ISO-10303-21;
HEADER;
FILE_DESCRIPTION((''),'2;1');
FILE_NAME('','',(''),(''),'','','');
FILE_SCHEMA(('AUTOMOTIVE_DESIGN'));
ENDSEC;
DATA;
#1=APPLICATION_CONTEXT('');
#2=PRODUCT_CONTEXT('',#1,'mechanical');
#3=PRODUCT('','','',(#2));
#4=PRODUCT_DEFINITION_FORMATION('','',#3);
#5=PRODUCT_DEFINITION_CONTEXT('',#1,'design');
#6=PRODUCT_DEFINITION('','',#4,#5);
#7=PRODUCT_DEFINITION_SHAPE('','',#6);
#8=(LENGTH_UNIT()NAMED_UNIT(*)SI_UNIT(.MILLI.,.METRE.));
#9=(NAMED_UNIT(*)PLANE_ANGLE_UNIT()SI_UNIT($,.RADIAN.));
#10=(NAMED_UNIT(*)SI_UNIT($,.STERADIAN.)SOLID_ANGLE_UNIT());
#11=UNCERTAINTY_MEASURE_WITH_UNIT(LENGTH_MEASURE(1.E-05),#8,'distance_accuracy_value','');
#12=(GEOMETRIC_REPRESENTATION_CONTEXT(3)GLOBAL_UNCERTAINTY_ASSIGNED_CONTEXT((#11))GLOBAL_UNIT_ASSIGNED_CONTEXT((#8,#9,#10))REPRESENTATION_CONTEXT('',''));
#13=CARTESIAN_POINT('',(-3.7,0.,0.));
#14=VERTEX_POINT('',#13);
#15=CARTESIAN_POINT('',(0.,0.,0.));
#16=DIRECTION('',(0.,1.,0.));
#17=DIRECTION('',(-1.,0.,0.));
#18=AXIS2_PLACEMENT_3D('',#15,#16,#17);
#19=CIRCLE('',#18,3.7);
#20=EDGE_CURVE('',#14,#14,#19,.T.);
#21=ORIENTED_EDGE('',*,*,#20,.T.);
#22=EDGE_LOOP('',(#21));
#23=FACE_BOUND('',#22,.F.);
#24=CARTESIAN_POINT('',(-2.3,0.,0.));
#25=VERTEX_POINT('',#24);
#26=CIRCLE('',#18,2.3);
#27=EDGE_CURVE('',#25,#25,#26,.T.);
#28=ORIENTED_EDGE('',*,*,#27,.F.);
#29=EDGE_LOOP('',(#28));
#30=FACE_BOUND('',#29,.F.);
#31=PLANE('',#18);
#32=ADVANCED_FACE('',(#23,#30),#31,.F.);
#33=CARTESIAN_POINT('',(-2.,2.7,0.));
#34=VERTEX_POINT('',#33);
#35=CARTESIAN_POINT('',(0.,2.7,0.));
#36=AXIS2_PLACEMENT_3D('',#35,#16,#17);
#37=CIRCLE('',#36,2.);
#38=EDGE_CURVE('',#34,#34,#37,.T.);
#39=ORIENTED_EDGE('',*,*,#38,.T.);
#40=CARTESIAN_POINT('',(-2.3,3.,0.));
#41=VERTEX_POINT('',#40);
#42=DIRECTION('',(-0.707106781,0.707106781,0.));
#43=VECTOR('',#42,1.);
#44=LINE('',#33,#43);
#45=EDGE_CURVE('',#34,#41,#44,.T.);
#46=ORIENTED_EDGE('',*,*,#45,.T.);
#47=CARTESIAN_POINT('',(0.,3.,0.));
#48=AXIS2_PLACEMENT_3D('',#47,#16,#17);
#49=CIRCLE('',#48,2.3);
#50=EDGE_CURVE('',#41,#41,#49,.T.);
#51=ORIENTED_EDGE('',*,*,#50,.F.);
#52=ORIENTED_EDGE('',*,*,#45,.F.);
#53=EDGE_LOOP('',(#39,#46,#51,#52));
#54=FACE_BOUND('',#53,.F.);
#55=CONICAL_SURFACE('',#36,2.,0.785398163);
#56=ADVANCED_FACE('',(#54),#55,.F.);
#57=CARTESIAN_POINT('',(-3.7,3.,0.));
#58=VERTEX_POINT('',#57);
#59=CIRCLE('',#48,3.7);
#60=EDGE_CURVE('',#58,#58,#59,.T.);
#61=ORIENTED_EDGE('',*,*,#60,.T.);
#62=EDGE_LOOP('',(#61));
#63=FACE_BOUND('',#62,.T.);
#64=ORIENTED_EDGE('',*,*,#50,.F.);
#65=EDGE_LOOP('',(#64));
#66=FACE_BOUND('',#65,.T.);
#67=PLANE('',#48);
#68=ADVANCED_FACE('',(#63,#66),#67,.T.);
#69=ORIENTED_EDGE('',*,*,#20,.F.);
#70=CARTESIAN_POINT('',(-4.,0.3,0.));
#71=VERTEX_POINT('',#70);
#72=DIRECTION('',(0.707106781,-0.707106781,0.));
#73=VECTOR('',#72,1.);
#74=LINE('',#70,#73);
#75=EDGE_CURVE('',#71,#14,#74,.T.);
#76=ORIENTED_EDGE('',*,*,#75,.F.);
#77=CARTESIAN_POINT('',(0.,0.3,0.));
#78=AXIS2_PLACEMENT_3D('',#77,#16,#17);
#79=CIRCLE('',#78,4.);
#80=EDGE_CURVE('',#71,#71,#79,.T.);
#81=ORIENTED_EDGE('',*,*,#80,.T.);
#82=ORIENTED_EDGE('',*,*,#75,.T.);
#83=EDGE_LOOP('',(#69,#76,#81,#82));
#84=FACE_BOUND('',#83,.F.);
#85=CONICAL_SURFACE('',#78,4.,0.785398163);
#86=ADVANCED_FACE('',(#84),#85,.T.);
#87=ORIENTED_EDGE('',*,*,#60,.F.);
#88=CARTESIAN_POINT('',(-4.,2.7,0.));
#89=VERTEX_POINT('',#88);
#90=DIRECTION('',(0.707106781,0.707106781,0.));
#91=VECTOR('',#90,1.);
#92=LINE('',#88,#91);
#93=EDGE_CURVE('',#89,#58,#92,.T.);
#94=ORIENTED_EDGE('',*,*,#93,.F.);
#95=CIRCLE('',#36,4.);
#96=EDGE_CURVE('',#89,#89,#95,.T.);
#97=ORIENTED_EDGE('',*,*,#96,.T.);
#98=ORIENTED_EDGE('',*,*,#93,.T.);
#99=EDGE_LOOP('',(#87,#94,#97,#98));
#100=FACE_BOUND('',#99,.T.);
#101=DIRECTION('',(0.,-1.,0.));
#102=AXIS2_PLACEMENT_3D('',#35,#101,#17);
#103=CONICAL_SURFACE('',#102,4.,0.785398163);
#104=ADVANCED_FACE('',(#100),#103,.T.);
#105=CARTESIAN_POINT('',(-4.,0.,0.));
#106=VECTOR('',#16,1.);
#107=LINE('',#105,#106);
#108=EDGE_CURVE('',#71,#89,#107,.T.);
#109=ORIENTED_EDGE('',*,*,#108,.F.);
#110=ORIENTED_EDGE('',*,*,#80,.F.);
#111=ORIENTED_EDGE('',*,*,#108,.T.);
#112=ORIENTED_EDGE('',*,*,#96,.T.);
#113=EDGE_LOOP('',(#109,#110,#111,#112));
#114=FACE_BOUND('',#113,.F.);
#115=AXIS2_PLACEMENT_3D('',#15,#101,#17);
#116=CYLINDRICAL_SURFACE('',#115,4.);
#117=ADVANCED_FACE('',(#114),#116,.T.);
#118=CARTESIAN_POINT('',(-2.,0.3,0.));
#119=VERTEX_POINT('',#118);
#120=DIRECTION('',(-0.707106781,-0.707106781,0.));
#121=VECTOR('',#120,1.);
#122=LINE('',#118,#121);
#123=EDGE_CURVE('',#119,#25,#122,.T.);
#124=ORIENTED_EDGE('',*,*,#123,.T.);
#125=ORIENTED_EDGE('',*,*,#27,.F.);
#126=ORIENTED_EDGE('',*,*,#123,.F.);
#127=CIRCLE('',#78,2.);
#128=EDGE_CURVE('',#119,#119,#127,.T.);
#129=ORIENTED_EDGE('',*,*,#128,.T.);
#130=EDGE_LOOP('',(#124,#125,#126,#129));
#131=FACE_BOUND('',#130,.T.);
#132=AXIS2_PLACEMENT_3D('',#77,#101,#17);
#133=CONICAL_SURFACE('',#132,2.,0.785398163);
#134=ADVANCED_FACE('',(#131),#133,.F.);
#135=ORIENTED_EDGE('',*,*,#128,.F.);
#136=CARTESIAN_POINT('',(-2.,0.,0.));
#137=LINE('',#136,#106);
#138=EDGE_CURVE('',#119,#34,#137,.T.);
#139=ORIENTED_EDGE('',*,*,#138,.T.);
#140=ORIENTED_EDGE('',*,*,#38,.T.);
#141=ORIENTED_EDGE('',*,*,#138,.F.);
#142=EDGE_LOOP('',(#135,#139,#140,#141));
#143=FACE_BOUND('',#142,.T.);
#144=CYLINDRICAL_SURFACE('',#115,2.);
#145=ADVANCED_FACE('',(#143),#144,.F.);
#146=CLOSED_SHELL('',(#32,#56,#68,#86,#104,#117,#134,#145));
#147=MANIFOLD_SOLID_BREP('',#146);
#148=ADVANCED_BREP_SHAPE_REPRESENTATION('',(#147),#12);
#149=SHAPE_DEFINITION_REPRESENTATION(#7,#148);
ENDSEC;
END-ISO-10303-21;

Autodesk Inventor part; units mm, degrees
ref_plane "YZ Plane" through (0, 0, 0) normal (1, 0, 0) x (0, 1, 0)
ref_plane "XZ Plane" through (0, 0, 0) normal (0, 1, 0) x (-1, 0, 0)
ref_plane "XY Plane" through (0, 0, 0) normal (0, 0, 1) x (1, 0, 0)
sketch "Sketch1" plane through (0, 0, 0) normal (0, 1, 0) x (-1, 0, 0)
  circle A0 centre (0, 0) radius 2
  circle A1 centre (0, 0) radius 4
  dimension "d0" = 4
  dimension "d1" = 8
extrude "Extrusion1" add sketch "Sketch1" along normal blind 3
chamfer "Chamfer1" distance 0.3 angle 45 4 edges at (4, 3, 0) (4, 0, 0) (2, 3, 0) (2, 0, 0)
properties part number "BearingRadialBall4x8x3" material "Steel, Alloy"
